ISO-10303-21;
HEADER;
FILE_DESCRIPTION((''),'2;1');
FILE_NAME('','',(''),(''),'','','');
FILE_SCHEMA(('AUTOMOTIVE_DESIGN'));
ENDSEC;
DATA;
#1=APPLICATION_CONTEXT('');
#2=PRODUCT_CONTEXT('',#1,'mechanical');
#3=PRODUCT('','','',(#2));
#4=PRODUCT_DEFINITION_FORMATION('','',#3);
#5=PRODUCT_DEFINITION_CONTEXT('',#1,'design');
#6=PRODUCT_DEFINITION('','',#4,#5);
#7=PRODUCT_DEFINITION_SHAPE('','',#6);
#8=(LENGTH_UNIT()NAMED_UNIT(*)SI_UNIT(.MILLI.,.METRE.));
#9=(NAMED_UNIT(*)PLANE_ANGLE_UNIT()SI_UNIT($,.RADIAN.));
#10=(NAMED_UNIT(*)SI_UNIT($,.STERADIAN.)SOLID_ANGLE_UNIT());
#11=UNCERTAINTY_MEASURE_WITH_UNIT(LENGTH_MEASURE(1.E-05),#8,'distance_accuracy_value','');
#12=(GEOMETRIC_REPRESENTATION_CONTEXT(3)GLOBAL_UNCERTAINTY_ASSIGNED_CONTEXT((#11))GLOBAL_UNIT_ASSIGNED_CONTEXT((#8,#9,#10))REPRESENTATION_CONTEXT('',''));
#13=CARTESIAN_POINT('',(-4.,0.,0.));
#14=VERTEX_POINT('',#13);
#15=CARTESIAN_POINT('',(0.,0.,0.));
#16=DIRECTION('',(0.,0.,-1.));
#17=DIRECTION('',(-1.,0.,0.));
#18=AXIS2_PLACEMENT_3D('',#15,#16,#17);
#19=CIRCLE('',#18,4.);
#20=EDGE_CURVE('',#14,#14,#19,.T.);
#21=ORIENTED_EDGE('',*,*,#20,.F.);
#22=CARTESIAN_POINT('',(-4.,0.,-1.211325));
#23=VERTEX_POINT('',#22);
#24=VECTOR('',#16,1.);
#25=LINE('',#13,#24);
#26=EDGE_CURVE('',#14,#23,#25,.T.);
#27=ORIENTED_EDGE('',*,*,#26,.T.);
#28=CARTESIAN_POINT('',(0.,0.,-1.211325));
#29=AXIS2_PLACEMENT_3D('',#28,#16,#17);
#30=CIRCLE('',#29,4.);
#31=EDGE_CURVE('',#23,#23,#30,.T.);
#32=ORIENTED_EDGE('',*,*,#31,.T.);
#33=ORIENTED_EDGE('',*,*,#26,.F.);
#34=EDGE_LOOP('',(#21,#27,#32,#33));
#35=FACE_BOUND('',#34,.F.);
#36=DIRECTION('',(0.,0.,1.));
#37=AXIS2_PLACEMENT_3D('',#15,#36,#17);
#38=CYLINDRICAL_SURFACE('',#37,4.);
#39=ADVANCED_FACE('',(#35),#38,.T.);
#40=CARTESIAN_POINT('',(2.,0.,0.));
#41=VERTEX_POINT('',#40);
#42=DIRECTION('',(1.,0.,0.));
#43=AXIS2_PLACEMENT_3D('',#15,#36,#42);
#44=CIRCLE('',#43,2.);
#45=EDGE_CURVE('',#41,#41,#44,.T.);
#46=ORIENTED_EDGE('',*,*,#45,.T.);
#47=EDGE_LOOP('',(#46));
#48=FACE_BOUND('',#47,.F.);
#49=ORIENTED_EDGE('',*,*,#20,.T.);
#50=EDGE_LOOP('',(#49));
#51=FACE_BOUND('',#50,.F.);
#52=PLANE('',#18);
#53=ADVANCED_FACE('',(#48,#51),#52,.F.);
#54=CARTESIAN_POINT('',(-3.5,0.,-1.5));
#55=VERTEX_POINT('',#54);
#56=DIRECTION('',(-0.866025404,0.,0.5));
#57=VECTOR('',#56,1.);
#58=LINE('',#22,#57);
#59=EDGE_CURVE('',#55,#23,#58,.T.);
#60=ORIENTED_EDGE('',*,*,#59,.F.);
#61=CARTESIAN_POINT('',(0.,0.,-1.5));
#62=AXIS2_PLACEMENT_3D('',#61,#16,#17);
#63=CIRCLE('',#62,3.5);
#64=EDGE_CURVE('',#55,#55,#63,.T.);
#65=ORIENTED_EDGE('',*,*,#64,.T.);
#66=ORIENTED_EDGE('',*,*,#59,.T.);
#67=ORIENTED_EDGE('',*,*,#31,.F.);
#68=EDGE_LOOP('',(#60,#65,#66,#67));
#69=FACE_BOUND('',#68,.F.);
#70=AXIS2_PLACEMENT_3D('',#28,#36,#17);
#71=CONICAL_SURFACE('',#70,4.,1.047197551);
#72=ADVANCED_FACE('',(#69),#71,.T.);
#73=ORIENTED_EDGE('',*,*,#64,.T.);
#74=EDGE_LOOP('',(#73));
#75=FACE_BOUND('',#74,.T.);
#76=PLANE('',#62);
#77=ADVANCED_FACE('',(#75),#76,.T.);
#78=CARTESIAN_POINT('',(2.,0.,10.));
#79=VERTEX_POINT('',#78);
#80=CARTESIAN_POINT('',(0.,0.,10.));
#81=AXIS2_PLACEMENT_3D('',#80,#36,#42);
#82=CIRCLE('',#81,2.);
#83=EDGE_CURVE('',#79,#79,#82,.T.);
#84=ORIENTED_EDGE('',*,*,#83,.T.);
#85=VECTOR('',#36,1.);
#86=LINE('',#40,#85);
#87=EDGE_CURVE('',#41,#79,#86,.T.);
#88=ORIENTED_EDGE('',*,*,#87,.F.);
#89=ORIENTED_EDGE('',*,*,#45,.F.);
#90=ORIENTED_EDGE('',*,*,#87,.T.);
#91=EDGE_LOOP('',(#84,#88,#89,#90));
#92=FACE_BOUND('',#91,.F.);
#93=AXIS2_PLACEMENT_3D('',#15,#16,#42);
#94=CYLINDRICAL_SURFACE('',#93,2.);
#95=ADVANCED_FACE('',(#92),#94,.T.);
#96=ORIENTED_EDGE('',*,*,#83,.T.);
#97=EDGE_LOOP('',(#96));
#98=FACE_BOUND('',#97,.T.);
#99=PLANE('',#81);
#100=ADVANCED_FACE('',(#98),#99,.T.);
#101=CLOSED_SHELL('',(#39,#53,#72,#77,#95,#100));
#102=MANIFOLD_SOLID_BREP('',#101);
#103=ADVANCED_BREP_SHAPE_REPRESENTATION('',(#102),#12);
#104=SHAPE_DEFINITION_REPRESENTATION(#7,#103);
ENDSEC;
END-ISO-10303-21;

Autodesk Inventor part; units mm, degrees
ref_plane "YZ Plane" through (0, 0, 0) normal (1, 0, 0) x (0, 1, 0)
ref_plane "XZ Plane" through (0, 0, 0) normal (0, 1, 0) x (-1, 0, 0)
ref_plane "XY Plane" through (0, 0, 0) normal (0, 0, 1) x (1, 0, 0)
sketch "スケッチ1" plane through (0, 0, 0) normal (0, 0, 1) x (1, 0, 0)
  circle A0 centre (0, 0) radius 2
  dimension "d0" = 4
extrude "押し出し1" add sketch "スケッチ1" along normal blind 10
sketch "スケッチ2" plane through (0, 0, 0) normal (0, 0, -1) x (-1, 0, 0)
  circle A0 centre (0, 0) radius 4
  dimension "d3" = 8
extrude "押し出し2" add sketch "スケッチ2" along normal blind 1.5
thread "ねじ1" size "M4x0.7" class "6g" standard "ANSI Metric M Profile" full length
chamfer "面取り1" distance 0.5 angle 30 1 edges at (4, 0, -1.5) measured on face at (-0.7574, 1.0973, -1.5)
properties part number "ネジローヘッドm4,10" material "鋼、高強度、低合金"
